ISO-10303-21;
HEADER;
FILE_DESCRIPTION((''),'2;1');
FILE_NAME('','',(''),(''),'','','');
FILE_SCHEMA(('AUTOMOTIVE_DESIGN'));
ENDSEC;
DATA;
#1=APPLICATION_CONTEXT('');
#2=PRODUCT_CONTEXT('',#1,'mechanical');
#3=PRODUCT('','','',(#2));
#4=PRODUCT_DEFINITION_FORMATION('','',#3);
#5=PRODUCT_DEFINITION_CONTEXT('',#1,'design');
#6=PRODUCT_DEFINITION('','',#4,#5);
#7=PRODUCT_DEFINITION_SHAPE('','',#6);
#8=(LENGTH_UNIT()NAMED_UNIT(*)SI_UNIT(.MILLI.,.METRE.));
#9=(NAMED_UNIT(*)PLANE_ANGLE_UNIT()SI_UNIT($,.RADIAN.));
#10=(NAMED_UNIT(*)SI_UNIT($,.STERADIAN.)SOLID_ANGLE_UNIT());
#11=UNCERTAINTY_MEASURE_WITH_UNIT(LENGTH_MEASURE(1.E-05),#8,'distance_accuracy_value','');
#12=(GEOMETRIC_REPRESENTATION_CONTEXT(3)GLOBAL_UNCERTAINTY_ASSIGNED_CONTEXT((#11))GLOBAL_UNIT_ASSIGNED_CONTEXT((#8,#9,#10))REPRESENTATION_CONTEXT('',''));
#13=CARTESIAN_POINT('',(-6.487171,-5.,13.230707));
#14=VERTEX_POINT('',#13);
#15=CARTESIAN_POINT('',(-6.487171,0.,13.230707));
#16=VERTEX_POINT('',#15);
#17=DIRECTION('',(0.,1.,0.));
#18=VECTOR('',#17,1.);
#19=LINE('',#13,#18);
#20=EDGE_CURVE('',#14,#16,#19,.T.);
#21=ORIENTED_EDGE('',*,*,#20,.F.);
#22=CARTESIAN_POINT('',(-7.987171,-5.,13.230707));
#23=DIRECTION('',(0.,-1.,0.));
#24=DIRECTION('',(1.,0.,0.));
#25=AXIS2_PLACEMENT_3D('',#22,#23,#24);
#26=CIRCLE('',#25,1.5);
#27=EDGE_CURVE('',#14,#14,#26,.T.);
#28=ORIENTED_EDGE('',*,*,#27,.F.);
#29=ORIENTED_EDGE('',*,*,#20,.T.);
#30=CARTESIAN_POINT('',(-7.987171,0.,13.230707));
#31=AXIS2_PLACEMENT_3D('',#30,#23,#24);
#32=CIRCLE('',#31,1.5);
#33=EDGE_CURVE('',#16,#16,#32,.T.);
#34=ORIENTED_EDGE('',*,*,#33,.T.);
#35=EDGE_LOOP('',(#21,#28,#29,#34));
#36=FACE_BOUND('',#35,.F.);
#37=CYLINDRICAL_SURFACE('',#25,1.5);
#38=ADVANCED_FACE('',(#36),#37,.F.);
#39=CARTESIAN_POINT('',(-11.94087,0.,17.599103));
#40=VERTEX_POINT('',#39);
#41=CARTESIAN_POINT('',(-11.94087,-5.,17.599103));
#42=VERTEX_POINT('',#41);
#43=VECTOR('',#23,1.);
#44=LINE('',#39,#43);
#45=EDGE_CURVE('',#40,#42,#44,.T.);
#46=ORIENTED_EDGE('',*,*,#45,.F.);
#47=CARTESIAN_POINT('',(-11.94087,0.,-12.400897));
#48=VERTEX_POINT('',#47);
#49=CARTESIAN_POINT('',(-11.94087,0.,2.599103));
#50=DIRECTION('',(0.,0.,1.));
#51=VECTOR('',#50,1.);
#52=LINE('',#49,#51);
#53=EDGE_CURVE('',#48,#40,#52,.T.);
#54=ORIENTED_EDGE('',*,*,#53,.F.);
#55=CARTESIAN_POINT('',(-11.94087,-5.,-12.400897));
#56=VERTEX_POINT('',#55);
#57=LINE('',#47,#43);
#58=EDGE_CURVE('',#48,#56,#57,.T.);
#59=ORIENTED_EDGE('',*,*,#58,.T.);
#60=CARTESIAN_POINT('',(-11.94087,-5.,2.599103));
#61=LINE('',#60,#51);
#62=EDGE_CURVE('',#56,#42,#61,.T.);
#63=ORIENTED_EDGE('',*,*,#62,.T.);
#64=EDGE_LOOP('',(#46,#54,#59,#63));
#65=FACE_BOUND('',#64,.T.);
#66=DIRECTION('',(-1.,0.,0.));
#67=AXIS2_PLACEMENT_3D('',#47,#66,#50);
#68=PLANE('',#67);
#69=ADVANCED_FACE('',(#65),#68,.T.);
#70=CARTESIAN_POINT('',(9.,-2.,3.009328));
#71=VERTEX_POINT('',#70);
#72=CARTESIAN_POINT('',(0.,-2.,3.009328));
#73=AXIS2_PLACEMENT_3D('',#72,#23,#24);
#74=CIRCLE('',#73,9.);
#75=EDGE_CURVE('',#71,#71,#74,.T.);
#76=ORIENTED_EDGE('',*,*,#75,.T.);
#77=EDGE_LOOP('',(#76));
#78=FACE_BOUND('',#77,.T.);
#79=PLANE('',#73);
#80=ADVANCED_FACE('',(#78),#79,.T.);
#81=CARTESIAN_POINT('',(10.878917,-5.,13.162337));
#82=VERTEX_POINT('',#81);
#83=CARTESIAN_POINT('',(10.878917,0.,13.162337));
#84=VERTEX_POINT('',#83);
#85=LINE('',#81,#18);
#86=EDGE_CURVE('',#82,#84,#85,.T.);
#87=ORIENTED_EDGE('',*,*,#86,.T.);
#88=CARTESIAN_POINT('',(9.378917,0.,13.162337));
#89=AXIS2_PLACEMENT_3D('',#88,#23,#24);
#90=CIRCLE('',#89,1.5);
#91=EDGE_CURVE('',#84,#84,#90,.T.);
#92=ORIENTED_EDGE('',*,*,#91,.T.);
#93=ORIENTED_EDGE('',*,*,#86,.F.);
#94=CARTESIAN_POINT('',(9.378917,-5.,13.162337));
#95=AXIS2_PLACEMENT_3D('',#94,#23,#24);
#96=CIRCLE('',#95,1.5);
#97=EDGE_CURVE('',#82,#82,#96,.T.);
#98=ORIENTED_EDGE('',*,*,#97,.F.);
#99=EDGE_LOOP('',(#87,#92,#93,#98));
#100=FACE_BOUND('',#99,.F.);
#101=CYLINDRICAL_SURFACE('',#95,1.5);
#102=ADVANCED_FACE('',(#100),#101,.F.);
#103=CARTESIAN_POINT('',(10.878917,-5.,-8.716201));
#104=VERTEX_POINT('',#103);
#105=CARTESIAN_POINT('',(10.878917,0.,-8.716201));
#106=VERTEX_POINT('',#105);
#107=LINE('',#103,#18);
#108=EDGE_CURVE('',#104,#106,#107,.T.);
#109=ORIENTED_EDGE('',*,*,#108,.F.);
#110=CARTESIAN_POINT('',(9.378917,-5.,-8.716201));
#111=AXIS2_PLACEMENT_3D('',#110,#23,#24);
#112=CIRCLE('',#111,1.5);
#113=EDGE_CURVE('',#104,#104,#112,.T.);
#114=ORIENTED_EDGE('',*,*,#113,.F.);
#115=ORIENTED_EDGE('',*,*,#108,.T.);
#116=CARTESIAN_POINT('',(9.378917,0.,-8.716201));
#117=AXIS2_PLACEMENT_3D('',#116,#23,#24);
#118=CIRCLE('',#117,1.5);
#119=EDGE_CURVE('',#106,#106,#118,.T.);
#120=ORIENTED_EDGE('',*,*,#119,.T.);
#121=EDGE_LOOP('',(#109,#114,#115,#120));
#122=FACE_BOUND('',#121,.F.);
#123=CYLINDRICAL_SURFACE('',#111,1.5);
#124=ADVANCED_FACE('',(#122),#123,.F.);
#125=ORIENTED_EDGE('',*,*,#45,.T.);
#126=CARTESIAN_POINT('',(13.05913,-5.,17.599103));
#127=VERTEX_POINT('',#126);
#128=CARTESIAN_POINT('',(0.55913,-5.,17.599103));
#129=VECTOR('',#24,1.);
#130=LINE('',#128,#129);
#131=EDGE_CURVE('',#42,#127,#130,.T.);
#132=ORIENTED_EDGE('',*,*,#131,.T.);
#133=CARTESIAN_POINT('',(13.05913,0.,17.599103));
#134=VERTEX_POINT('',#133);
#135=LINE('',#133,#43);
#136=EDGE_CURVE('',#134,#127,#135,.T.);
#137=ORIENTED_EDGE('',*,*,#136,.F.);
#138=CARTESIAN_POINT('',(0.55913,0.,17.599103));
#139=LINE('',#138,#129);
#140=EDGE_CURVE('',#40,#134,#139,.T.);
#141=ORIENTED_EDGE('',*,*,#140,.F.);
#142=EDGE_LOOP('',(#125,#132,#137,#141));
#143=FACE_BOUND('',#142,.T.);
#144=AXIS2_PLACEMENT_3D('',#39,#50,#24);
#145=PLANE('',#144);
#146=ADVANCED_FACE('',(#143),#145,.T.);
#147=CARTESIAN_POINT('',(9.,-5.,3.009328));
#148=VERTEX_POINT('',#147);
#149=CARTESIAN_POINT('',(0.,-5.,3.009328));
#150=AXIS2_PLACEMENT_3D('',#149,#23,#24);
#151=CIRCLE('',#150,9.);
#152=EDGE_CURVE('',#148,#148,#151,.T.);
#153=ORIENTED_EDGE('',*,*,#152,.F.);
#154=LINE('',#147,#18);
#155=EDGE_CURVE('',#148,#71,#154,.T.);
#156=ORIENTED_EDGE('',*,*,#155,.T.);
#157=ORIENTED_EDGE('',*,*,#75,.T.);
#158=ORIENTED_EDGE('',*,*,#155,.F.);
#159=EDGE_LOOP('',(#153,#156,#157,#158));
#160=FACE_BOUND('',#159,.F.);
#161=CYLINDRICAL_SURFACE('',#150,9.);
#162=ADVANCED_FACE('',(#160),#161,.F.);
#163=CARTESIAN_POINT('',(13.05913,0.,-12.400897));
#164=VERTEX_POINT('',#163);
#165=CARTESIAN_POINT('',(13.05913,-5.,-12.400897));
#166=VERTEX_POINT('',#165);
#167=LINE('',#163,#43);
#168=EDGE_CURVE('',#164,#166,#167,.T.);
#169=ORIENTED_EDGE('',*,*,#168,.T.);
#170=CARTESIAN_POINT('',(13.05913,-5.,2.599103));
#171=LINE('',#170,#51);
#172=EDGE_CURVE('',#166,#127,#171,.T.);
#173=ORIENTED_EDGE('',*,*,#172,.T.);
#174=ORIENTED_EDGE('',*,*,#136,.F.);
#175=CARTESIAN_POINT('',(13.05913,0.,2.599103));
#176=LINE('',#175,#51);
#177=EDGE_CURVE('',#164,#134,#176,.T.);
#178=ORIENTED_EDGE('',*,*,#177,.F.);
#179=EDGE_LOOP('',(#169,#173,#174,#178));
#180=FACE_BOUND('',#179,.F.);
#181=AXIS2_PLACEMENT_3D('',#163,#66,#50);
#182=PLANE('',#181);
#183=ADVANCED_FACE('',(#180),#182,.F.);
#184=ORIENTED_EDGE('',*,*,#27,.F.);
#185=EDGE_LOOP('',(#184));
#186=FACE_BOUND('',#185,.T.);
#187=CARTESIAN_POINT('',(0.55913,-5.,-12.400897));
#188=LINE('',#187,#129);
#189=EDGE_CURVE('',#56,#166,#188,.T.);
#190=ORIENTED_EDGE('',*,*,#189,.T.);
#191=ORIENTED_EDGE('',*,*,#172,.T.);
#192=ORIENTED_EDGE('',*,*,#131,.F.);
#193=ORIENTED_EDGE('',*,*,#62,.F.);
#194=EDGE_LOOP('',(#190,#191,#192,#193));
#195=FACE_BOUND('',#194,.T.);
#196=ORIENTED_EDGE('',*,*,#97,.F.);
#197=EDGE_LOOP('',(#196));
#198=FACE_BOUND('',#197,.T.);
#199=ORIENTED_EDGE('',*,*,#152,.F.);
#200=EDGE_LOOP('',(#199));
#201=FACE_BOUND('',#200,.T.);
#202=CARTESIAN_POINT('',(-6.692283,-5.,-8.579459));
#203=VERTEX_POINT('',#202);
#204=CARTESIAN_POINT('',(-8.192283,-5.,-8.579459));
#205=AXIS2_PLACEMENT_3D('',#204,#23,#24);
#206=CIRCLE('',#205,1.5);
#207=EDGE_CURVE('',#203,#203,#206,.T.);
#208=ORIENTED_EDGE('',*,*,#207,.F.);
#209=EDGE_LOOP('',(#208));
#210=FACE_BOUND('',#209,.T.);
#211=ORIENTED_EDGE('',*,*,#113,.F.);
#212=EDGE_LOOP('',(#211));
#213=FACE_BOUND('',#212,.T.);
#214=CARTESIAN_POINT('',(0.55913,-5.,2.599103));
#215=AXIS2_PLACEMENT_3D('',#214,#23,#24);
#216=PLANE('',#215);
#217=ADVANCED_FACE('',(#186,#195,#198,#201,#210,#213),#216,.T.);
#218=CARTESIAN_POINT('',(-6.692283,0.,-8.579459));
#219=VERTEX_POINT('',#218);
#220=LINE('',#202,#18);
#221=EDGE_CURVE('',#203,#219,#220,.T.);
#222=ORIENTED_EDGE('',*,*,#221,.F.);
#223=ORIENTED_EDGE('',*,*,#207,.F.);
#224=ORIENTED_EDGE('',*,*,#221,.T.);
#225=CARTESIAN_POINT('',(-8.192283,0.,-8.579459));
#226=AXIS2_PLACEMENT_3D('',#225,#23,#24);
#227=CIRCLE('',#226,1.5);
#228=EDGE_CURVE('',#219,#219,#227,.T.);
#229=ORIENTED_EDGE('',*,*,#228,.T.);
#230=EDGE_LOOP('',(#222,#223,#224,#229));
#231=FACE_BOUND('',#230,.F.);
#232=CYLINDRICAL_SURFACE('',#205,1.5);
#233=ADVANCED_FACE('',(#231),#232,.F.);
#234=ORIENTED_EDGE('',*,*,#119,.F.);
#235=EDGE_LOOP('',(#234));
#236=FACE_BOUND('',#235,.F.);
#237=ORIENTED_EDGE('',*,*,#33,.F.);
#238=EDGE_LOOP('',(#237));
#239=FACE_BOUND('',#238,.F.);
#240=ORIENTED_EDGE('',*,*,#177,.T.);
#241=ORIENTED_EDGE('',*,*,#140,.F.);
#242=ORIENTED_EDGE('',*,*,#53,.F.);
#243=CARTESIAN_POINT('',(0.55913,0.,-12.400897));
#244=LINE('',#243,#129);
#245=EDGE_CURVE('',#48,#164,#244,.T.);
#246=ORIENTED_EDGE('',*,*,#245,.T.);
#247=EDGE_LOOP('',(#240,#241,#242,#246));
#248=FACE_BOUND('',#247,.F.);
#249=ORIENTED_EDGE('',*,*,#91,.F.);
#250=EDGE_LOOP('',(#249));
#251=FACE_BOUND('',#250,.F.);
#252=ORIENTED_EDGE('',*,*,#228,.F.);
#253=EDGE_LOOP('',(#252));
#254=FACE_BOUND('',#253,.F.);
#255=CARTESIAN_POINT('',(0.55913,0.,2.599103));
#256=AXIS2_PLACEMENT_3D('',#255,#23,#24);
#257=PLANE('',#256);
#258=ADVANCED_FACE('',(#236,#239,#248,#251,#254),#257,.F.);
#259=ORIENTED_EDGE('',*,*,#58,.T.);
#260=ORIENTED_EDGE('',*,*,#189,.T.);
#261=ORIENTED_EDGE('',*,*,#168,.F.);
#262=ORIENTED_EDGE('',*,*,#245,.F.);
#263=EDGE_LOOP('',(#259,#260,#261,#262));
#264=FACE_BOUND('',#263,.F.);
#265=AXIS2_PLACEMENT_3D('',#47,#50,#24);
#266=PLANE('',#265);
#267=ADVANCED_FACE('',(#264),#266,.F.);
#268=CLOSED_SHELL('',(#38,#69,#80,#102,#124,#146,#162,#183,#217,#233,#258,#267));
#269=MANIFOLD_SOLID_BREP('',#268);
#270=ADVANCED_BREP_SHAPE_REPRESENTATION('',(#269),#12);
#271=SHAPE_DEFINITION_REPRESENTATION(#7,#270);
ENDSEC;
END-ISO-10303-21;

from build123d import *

# Parameters (mm, degrees)
F0_W     = 25
F0_H     = 30
F1_DEPTH = 5
F2_R     = 1.5
F3_DEPTH = 25
F4_R     = 9
F5_DEPTH = 3


with BuildPart() as f1:
    # F0 (on Front) → F1 (new body)
    with BuildSketch(Plane.XZ):
        with Locations((0.55913, 2.599103)):
            Rectangle(F0_W, F0_H)
    extrude(amount=F1_DEPTH)

    # F2 (on face) → F3 (cut)
    with BuildSketch(Plane.XZ.offset(5)):
        with Locations((-7.987171, 13.230707)):
            Circle(F2_R)
        with Locations((9.378917, 13.162337)):
            Circle(F2_R)
        with Locations((-8.192283, -8.579459)):
            Circle(F2_R)
        with Locations((9.378917, -8.716201)):
            Circle(F2_R)
    extrude(amount=-F3_DEPTH, mode=Mode.SUBTRACT)

    # F4 (on face) → F5 (cut)
    with BuildSketch(Plane.XZ.offset(5)):
        with Locations((0, 3.009328)):
            Circle(F4_R)
    extrude(amount=-F5_DEPTH, mode=Mode.SUBTRACT)


solid = f1.part
